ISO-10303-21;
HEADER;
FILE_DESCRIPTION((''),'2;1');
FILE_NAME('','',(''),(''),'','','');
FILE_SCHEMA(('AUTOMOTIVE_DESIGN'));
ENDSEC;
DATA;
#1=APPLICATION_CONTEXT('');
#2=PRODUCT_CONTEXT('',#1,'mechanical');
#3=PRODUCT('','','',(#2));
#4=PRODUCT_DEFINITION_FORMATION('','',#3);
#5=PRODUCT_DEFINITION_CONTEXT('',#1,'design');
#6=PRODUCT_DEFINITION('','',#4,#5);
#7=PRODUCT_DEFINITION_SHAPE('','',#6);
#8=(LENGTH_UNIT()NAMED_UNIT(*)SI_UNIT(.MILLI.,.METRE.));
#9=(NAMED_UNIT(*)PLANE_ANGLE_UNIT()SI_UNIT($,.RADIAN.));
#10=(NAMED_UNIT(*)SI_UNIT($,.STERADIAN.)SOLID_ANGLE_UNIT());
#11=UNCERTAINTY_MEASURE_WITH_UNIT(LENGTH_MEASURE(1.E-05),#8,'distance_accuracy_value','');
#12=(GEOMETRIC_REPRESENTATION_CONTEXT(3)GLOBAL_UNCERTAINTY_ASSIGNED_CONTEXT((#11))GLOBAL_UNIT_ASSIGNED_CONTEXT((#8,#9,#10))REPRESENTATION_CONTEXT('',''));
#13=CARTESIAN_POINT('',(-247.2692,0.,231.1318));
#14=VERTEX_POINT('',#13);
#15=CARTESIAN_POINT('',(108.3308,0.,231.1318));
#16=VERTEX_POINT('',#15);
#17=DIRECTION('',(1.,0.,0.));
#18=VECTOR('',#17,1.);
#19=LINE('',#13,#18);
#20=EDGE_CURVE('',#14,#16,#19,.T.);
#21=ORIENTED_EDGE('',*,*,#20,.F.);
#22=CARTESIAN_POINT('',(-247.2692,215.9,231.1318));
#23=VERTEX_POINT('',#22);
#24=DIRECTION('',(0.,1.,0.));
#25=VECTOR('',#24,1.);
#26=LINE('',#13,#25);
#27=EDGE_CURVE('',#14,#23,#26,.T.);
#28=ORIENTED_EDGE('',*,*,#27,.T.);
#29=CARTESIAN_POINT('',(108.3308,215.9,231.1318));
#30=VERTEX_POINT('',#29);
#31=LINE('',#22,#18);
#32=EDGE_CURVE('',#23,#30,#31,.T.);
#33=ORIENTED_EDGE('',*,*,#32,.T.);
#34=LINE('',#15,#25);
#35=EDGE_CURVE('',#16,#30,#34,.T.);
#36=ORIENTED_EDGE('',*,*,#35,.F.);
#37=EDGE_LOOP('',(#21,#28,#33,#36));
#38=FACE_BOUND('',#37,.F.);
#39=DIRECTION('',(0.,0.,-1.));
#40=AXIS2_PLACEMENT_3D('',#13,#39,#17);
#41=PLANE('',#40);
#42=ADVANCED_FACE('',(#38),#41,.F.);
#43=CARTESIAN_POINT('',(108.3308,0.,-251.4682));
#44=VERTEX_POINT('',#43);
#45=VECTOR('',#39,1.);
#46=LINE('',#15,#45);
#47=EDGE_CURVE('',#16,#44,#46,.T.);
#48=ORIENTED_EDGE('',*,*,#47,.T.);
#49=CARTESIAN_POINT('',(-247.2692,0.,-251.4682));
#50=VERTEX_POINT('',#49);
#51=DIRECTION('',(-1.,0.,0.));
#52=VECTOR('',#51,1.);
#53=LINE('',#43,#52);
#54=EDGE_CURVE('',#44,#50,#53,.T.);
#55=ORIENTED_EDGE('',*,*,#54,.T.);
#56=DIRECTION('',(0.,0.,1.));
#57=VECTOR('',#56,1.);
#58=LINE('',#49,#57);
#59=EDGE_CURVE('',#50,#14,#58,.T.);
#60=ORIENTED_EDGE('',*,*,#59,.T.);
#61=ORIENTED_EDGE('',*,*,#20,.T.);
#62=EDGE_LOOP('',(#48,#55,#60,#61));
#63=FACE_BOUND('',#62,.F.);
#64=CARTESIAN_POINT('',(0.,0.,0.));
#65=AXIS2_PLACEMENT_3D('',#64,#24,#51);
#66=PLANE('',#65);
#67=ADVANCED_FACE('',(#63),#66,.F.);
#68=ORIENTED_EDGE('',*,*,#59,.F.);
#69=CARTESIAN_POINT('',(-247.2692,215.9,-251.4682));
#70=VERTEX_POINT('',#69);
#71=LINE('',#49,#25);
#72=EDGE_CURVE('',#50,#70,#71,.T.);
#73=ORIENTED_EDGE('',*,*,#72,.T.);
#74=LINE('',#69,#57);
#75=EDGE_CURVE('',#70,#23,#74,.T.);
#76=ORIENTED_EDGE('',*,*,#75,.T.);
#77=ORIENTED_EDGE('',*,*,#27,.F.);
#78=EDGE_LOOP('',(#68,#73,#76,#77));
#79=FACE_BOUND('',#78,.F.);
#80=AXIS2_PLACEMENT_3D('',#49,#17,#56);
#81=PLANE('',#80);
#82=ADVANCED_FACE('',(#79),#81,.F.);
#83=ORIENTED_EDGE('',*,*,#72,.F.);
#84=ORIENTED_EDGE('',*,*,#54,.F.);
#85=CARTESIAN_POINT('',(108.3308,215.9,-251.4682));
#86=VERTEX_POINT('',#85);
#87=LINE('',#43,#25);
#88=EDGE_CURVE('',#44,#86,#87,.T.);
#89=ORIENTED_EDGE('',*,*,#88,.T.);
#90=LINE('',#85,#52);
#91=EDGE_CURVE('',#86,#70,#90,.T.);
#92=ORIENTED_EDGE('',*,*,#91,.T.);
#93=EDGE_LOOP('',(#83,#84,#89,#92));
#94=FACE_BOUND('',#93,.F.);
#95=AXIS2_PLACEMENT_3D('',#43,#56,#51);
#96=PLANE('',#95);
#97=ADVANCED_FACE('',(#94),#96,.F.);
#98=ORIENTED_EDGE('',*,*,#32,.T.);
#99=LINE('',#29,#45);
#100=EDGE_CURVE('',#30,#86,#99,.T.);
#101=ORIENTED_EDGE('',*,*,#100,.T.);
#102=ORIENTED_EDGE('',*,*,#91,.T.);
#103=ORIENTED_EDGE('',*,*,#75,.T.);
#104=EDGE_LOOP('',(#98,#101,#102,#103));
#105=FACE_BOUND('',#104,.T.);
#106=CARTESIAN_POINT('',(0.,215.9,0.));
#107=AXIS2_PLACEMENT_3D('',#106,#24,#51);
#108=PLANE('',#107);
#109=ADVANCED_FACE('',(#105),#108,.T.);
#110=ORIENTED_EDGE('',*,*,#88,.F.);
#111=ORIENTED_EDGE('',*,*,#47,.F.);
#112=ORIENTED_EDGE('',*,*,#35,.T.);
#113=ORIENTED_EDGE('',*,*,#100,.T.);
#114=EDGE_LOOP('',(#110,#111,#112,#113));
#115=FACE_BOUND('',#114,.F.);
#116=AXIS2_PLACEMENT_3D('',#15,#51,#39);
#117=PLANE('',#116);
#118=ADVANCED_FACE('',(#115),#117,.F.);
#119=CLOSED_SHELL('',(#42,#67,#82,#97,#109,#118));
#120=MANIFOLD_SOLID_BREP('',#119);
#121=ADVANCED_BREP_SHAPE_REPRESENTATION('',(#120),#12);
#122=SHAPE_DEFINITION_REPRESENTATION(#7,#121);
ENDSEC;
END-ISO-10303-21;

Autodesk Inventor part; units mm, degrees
ref_plane "YZ Plane" through (0, 0, 0) normal (1, 0, 0) x (0, 1, 0)
ref_plane "XZ Plane" through (0, 0, 0) normal (0, 1, 0) x (-1, 0, 0)
ref_plane "XY Plane" through (0, 0, 0) normal (0, 0, 1) x (1, 0, 0)
sketch "Sketch1" plane through (0, 0, 0) normal (0, 1, 0) x (-1, 0, 0)
  line L0 (247.2692, 231.1318) -> (-108.3308, 231.1318)
  line L1 (-108.3308, 231.1318) -> (-108.3308, -251.4682)
  line L2 (-108.3308, -251.4682) -> (247.2692, -251.4682)
  line L3 (247.2692, -251.4682) -> (247.2692, 231.1318)
  point P0 (0, 0)
  dimension "d0" = 482.6
  dimension "d1" = 355.6
extrude "Extrusion1" add sketch "Sketch1" along normal blind 215.9
properties part number "case"
